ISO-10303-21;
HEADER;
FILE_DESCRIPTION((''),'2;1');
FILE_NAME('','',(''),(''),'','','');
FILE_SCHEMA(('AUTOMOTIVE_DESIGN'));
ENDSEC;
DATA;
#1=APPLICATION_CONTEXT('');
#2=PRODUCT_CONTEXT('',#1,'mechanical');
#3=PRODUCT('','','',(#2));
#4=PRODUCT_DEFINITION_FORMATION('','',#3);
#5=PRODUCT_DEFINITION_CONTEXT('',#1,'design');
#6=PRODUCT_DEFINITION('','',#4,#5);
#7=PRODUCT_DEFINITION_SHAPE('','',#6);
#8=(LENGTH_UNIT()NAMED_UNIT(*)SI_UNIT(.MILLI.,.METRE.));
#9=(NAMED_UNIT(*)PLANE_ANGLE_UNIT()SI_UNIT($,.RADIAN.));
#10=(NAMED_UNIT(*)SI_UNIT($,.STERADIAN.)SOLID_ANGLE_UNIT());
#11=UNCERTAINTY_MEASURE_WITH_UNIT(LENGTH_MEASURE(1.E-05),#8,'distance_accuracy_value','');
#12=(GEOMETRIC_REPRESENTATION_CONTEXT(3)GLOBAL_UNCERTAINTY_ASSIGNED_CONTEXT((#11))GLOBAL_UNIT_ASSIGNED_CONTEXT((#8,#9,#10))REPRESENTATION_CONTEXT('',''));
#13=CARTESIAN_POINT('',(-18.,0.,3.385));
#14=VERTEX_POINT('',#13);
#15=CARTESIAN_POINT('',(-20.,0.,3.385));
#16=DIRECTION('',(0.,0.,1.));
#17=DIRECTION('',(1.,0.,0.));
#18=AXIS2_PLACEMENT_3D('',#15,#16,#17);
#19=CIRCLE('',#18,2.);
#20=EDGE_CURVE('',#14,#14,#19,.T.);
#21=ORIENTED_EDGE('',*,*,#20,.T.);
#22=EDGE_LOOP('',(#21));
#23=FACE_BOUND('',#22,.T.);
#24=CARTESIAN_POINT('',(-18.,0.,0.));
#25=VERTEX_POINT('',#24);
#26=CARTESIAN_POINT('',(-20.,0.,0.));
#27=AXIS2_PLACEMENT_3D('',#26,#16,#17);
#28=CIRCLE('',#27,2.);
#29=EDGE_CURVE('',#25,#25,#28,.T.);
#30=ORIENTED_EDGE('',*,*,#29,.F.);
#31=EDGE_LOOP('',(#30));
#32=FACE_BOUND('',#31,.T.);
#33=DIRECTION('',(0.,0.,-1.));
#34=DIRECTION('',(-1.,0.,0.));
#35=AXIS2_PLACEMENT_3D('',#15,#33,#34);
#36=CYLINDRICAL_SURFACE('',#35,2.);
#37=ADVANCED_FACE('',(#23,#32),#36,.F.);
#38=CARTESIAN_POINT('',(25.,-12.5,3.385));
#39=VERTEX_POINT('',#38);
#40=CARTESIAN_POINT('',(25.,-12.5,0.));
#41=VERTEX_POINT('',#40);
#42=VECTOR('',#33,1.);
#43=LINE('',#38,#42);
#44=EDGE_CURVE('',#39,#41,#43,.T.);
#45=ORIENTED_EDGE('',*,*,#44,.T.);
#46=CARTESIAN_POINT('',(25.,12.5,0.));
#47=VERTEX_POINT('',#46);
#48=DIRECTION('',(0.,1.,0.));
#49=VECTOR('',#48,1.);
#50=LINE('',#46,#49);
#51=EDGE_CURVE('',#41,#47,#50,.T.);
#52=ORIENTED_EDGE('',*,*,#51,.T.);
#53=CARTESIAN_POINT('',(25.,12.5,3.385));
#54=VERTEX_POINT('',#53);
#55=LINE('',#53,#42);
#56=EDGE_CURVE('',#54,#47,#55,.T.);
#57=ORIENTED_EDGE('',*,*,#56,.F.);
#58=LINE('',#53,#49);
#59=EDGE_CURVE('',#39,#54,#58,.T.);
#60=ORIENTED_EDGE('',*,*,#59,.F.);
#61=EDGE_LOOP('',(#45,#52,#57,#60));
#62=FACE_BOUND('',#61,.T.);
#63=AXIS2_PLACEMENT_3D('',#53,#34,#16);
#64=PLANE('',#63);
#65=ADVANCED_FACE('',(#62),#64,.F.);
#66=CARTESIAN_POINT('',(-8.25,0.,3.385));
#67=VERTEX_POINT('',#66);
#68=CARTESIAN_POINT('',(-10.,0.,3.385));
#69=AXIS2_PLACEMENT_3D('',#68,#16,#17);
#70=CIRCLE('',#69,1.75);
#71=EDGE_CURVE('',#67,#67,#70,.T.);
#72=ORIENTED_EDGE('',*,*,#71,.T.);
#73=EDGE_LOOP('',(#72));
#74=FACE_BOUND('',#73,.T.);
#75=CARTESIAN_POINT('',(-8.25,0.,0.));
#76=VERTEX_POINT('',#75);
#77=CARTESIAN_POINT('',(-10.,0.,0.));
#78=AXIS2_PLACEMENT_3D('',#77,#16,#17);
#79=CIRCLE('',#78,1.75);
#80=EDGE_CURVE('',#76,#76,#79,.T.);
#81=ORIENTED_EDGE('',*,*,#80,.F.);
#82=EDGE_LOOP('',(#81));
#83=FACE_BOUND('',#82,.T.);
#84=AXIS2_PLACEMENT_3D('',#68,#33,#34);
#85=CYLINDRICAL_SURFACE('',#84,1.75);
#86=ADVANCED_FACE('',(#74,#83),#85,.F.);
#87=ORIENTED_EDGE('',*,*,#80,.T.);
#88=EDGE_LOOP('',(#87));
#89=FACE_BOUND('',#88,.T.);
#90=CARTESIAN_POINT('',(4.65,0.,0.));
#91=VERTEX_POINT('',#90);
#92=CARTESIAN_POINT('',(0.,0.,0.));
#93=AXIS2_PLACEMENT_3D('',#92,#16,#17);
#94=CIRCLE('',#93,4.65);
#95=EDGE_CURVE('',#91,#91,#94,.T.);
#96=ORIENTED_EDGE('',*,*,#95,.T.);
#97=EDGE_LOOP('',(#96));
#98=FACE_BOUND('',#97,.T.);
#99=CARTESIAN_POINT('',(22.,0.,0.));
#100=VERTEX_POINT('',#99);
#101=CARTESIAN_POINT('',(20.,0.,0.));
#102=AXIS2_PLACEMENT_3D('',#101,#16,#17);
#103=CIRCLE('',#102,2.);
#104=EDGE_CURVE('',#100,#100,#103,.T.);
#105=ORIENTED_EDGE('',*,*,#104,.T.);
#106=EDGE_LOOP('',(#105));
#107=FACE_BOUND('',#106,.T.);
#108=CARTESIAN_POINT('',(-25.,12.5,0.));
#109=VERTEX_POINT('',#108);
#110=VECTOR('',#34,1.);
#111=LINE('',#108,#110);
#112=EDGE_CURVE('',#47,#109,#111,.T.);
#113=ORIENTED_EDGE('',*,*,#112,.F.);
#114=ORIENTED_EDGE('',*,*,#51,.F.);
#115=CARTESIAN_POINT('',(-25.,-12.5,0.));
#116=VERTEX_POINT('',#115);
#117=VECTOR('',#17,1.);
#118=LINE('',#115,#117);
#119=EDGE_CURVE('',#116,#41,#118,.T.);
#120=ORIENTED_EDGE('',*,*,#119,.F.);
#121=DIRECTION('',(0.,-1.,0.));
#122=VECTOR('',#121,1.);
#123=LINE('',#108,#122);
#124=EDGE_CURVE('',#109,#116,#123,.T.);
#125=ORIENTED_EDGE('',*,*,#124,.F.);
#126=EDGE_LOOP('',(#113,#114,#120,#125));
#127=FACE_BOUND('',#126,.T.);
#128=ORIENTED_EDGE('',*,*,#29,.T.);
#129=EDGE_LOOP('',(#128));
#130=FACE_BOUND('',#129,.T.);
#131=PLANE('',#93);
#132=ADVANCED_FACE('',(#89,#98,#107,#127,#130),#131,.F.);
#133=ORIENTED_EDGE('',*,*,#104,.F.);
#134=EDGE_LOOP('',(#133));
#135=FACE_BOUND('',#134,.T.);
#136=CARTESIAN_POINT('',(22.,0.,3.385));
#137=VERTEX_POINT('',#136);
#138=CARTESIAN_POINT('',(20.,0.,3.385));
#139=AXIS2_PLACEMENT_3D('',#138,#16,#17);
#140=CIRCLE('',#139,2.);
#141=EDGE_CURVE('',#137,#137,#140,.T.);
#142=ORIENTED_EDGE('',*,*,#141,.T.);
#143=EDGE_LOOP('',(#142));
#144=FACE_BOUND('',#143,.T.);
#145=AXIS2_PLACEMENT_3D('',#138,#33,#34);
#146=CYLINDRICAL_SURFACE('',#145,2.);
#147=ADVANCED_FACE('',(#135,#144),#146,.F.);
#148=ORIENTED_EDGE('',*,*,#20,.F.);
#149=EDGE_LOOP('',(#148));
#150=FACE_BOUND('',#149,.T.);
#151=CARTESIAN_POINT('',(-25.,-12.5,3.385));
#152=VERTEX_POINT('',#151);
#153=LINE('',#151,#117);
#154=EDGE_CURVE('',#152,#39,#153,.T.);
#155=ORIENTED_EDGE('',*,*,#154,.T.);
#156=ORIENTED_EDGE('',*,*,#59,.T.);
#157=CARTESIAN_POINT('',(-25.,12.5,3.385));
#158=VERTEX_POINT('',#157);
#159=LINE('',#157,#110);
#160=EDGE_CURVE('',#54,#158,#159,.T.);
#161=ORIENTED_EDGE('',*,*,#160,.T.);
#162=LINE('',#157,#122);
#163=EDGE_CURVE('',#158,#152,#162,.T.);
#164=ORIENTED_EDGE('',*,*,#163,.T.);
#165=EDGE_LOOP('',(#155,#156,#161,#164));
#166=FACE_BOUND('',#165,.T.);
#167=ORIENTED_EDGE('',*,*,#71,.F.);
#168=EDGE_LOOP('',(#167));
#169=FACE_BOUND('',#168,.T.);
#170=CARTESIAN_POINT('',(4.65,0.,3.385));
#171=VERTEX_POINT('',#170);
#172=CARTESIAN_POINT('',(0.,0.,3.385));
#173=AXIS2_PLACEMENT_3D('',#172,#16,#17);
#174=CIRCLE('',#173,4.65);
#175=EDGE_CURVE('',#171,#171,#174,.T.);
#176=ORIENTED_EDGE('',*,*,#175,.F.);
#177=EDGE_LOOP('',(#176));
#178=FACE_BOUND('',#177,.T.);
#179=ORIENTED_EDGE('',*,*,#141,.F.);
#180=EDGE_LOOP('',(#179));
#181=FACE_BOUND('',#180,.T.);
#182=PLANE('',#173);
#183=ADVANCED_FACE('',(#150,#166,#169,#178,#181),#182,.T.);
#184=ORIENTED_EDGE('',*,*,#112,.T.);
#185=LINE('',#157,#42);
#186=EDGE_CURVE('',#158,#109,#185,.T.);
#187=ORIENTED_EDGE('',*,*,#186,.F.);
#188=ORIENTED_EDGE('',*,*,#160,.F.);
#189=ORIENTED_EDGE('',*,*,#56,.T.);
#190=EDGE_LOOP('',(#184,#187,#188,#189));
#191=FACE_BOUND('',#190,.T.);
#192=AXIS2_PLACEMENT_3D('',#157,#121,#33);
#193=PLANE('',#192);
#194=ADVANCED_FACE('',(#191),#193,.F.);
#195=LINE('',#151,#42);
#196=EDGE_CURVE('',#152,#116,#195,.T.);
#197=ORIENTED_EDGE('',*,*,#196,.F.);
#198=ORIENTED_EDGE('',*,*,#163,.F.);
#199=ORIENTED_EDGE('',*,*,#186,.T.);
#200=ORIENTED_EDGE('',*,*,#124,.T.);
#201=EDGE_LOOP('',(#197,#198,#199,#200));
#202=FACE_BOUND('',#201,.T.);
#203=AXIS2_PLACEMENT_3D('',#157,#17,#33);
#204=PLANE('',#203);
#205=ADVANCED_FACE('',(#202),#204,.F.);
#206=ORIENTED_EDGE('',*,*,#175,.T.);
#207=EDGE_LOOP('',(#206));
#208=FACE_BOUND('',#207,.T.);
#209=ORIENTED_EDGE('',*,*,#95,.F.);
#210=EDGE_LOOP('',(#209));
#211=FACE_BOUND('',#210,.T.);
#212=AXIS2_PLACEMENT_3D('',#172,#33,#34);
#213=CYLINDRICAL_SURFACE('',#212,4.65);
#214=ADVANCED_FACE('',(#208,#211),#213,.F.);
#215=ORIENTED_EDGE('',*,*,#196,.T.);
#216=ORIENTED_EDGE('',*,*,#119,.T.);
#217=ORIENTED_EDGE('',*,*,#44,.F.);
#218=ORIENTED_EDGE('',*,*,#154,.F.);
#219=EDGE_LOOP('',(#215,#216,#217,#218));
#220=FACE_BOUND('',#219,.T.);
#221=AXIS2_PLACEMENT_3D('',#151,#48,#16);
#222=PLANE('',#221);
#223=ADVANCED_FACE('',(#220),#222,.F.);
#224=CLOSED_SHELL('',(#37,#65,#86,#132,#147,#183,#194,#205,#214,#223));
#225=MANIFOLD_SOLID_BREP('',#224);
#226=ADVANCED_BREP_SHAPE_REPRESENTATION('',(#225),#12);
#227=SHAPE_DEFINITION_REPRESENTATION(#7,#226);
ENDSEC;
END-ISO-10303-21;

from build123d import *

# Parameters (mm, degrees)
SKETCH1_W           = 50
SKETCH1_H           = 25
SKETCH1_R           = 4.65
SKETCH1_R_2         = 1.75
SKETCH1_R_3         = 2
BOSS_EXTRUDE1_DEPTH = 3.385


with BuildPart() as part:
    # Sketch1 → Boss-Extrude1 (new body)
    with BuildSketch(Plane.XY):
        Rectangle(SKETCH1_W, SKETCH1_H)
        Circle(SKETCH1_R, mode=Mode.SUBTRACT)
        with Locations((-10, 0)):
            Circle(SKETCH1_R_2, mode=Mode.SUBTRACT)
        with Locations((20, 0)):
            Circle(SKETCH1_R_3, mode=Mode.SUBTRACT)
        with Locations((-20, 0)):
            Circle(SKETCH1_R_3, mode=Mode.SUBTRACT)
    extrude(amount=BOSS_EXTRUDE1_DEPTH)


solid = part.part
